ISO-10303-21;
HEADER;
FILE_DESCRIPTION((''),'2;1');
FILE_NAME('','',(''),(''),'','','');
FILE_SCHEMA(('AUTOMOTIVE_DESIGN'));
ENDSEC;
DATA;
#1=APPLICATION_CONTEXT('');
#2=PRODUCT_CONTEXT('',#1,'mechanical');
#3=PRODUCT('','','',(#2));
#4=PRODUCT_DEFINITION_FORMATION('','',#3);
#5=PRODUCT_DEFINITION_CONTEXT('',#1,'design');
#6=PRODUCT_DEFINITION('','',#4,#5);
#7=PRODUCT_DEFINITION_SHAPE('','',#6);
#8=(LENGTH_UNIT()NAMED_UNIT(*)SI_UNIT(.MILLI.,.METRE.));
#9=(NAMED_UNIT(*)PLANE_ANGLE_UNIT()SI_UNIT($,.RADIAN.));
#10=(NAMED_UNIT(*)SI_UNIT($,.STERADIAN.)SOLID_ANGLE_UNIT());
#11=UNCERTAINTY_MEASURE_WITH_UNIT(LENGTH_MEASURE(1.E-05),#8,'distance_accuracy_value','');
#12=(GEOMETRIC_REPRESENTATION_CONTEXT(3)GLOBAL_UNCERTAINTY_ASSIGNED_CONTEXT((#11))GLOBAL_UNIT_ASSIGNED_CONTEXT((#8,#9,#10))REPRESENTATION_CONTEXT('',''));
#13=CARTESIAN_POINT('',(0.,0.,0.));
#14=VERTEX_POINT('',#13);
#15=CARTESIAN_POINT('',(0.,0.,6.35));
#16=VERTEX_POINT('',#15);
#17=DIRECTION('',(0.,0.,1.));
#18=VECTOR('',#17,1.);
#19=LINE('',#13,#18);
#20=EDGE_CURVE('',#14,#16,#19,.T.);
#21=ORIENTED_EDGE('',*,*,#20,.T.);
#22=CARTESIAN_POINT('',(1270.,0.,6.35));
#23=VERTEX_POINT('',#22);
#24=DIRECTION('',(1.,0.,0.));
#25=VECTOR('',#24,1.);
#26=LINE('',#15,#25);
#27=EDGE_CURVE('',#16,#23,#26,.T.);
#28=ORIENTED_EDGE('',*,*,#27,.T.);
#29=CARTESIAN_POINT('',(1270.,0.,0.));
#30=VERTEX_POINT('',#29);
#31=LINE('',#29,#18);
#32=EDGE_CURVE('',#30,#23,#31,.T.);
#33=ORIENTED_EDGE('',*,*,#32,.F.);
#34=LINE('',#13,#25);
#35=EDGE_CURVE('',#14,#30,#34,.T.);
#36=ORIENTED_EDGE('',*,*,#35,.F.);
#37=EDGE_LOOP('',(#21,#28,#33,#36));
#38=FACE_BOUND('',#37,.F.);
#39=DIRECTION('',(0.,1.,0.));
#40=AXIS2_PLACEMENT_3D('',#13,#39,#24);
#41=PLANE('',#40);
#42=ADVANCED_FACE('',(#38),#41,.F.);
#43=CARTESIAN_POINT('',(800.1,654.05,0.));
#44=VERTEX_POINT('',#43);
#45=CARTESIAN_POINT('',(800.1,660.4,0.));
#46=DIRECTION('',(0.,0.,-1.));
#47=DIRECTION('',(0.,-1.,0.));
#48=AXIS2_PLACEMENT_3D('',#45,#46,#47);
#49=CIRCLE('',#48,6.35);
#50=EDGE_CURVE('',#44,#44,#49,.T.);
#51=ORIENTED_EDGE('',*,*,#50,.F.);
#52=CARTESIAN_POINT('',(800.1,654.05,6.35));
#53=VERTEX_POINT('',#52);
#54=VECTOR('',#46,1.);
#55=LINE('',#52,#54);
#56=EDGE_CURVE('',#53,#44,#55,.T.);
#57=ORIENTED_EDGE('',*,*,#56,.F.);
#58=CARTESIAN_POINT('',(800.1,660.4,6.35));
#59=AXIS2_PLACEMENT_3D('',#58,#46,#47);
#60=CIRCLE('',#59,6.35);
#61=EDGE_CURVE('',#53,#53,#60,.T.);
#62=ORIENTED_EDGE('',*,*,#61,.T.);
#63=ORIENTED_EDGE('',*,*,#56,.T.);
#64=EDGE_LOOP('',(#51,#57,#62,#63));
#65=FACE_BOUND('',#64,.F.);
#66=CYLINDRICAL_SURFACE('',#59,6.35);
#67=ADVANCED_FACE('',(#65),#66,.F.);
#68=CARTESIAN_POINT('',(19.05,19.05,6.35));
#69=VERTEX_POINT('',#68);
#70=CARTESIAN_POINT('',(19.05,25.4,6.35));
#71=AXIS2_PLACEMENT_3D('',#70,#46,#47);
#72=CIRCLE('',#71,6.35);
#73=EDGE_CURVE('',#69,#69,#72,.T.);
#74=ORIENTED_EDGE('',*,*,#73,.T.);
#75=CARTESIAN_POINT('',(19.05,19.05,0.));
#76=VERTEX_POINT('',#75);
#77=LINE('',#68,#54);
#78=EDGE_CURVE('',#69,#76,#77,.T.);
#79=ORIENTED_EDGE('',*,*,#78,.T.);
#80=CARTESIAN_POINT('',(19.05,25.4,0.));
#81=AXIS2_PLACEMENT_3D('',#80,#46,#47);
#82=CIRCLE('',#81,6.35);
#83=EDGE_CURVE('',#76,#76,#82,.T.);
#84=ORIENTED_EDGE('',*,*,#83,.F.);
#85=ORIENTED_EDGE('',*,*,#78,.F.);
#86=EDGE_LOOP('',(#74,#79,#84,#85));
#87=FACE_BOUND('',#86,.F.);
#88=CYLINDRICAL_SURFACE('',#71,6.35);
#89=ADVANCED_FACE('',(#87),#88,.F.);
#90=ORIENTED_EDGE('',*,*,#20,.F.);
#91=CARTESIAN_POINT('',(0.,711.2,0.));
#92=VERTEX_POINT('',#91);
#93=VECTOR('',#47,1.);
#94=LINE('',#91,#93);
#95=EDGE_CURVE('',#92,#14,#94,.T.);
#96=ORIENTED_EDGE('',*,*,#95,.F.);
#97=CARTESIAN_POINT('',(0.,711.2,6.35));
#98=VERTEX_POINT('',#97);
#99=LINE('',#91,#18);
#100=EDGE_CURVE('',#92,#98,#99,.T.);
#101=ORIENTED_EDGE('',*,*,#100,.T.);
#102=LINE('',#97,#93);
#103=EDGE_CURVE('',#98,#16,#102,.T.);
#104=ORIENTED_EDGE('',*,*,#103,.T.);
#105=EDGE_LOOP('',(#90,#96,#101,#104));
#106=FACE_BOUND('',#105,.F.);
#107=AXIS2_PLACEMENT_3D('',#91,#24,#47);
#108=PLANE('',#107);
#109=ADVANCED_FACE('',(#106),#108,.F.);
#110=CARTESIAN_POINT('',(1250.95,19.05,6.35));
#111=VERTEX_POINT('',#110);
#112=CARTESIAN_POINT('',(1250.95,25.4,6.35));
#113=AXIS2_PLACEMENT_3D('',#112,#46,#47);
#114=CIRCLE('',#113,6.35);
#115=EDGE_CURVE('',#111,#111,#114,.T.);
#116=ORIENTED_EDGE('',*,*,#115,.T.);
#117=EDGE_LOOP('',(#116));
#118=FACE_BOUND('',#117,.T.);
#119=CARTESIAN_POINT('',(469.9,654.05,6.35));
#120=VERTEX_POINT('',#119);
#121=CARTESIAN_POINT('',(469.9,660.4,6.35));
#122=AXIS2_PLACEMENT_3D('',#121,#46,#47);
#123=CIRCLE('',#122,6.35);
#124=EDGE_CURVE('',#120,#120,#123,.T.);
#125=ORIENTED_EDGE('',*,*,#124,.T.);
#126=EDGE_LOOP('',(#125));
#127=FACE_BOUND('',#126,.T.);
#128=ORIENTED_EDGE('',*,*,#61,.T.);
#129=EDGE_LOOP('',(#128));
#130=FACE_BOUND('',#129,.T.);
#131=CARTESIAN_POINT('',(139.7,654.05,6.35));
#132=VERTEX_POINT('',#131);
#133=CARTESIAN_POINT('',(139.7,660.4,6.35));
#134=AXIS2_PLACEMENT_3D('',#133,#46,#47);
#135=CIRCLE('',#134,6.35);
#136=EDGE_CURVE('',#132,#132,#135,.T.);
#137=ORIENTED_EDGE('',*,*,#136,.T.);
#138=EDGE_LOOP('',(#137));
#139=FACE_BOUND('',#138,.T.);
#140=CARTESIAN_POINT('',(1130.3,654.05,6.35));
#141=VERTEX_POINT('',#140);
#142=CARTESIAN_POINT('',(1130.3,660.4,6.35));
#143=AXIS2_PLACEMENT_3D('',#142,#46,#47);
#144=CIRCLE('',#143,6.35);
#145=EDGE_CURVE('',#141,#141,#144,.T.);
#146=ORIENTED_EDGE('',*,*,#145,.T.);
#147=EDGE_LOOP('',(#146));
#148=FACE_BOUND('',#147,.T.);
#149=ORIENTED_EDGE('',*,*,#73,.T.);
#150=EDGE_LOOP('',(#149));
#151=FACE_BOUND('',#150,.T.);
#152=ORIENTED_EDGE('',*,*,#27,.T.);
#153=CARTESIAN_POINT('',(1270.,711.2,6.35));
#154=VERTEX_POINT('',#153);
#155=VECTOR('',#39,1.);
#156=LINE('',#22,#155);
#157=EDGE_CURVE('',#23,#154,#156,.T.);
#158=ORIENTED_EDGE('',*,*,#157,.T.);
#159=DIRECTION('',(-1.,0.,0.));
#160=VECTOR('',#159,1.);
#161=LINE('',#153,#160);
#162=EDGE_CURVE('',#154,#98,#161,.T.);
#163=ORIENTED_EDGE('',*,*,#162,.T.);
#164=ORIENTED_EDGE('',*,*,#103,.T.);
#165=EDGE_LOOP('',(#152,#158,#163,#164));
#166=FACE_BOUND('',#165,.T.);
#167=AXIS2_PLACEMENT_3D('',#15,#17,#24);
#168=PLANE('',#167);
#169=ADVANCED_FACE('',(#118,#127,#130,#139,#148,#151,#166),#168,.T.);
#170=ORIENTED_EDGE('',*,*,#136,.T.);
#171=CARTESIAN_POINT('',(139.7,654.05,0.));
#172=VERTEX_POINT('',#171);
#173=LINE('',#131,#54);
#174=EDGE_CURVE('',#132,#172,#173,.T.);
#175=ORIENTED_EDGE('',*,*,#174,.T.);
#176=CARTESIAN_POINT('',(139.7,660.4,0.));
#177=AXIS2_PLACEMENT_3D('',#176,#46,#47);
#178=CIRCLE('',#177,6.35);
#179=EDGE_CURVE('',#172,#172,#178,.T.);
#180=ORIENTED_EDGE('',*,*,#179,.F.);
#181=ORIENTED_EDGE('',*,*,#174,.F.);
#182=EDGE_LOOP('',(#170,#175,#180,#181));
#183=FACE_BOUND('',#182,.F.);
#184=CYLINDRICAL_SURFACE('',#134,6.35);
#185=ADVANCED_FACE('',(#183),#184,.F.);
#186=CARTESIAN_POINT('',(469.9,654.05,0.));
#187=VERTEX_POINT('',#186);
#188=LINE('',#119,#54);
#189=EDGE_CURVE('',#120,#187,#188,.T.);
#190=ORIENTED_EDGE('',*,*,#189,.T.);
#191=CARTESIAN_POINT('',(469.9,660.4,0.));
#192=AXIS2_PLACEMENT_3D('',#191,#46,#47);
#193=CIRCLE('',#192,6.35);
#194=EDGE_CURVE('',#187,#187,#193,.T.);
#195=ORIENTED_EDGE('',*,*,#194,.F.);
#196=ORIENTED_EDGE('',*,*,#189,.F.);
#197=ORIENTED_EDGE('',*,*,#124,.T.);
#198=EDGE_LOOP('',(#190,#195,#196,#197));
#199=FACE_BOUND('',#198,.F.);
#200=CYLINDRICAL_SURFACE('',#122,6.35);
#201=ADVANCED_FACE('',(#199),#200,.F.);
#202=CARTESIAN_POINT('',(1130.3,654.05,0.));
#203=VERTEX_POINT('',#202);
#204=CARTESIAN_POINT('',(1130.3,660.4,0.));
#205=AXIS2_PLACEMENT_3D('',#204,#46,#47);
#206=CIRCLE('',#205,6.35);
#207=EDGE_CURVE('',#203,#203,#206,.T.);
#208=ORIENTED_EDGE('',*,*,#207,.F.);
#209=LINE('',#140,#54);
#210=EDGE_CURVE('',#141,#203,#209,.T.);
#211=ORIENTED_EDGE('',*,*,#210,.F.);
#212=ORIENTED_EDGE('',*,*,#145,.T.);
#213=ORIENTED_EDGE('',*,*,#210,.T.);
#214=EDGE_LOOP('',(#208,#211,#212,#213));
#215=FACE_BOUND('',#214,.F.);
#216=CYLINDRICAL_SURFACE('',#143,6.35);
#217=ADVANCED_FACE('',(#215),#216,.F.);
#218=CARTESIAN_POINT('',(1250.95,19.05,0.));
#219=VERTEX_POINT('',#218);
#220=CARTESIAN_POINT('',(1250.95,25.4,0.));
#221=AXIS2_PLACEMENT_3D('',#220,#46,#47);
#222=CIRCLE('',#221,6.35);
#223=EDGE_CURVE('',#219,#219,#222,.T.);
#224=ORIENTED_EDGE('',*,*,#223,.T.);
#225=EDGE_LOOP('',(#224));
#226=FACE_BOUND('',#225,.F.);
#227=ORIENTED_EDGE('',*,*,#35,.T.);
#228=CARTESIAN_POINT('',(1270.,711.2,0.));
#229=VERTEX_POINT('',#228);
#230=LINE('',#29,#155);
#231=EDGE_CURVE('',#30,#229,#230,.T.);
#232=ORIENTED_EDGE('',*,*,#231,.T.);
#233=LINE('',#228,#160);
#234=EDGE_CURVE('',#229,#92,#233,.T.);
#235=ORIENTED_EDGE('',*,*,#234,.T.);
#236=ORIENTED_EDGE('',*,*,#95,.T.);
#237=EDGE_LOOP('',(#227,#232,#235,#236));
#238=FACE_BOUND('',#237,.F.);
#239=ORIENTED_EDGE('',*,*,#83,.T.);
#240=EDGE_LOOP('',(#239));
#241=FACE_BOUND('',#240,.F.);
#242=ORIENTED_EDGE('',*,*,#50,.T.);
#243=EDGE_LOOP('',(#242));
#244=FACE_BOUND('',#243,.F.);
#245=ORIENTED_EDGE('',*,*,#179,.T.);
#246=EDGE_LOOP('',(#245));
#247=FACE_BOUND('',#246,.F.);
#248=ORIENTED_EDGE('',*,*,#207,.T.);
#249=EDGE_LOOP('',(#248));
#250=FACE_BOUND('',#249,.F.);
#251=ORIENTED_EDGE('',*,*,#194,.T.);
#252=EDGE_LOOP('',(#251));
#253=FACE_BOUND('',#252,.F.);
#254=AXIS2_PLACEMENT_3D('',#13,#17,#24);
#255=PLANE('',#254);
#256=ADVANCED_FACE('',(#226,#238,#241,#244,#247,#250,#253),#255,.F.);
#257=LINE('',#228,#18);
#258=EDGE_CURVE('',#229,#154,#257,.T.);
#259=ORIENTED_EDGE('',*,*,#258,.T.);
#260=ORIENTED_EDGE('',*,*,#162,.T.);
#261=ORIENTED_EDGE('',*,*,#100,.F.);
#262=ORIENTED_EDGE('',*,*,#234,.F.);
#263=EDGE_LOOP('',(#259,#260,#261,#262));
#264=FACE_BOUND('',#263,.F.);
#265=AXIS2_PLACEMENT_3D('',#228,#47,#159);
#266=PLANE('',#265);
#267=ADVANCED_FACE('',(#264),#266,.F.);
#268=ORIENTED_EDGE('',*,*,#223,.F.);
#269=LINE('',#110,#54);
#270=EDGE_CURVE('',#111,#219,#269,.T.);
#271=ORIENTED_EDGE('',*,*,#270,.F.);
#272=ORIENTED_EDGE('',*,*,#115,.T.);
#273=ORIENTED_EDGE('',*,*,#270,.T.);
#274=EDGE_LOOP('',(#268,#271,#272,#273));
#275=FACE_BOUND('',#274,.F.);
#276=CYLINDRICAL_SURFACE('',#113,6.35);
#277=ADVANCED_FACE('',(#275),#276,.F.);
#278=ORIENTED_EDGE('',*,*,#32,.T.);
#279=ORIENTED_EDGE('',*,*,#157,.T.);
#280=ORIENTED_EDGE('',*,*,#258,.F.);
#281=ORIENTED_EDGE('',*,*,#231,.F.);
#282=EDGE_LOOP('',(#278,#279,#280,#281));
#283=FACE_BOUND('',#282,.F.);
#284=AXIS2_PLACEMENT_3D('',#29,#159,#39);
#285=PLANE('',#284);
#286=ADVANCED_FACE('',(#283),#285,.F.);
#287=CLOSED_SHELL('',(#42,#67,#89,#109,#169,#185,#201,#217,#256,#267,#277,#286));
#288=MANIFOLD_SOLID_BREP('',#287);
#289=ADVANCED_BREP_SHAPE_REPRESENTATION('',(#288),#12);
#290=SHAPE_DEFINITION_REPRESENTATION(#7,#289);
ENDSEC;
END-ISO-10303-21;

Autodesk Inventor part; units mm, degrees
ref_plane "YZ Plane" through (0, 0, 0) normal (1, 0, 0) x (0, 1, 0)
ref_plane "XZ Plane" through (0, 0, 0) normal (0, 1, 0) x (-1, 0, 0)
ref_plane "XY Plane" through (0, 0, 0) normal (0, 0, 1) x (1, 0, 0)
sketch "Sketch1" plane through (0, 0, 0) normal (0, 0, 1) x (1, 0, 0)
  line L0 (0, 0) -> (1270, 0)
  line L1 (1270, 0) -> (1270, 711.2)
  line L2 (1270, 711.2) -> (0, 711.2)
  line L3 (0, 711.2) -> (0, 0)
  dimension "d0" = 1270
  dimension "d1" = 711.2
extrude "Extrusion1" add sketch "Sketch1" along normal blind 6.35
hole "Hole1" at (139.7, 660.4, 6.35) direction (0, 0, -1) diameter 12.7 end through all
pattern_linear "Rectangular Pattern1" count 4 spacing 330.2 along (1, 0, 0) of "Hole1"
hole "Hole2" at (19.05, 25.4, 6.35) direction (0, 0, -1) diameter 12.7 end through all
pattern_linear "Rectangular Pattern2" count 2 spacing 1231.9 along (1, 0, 0) of "Hole2"
properties part number "GE-12051"
